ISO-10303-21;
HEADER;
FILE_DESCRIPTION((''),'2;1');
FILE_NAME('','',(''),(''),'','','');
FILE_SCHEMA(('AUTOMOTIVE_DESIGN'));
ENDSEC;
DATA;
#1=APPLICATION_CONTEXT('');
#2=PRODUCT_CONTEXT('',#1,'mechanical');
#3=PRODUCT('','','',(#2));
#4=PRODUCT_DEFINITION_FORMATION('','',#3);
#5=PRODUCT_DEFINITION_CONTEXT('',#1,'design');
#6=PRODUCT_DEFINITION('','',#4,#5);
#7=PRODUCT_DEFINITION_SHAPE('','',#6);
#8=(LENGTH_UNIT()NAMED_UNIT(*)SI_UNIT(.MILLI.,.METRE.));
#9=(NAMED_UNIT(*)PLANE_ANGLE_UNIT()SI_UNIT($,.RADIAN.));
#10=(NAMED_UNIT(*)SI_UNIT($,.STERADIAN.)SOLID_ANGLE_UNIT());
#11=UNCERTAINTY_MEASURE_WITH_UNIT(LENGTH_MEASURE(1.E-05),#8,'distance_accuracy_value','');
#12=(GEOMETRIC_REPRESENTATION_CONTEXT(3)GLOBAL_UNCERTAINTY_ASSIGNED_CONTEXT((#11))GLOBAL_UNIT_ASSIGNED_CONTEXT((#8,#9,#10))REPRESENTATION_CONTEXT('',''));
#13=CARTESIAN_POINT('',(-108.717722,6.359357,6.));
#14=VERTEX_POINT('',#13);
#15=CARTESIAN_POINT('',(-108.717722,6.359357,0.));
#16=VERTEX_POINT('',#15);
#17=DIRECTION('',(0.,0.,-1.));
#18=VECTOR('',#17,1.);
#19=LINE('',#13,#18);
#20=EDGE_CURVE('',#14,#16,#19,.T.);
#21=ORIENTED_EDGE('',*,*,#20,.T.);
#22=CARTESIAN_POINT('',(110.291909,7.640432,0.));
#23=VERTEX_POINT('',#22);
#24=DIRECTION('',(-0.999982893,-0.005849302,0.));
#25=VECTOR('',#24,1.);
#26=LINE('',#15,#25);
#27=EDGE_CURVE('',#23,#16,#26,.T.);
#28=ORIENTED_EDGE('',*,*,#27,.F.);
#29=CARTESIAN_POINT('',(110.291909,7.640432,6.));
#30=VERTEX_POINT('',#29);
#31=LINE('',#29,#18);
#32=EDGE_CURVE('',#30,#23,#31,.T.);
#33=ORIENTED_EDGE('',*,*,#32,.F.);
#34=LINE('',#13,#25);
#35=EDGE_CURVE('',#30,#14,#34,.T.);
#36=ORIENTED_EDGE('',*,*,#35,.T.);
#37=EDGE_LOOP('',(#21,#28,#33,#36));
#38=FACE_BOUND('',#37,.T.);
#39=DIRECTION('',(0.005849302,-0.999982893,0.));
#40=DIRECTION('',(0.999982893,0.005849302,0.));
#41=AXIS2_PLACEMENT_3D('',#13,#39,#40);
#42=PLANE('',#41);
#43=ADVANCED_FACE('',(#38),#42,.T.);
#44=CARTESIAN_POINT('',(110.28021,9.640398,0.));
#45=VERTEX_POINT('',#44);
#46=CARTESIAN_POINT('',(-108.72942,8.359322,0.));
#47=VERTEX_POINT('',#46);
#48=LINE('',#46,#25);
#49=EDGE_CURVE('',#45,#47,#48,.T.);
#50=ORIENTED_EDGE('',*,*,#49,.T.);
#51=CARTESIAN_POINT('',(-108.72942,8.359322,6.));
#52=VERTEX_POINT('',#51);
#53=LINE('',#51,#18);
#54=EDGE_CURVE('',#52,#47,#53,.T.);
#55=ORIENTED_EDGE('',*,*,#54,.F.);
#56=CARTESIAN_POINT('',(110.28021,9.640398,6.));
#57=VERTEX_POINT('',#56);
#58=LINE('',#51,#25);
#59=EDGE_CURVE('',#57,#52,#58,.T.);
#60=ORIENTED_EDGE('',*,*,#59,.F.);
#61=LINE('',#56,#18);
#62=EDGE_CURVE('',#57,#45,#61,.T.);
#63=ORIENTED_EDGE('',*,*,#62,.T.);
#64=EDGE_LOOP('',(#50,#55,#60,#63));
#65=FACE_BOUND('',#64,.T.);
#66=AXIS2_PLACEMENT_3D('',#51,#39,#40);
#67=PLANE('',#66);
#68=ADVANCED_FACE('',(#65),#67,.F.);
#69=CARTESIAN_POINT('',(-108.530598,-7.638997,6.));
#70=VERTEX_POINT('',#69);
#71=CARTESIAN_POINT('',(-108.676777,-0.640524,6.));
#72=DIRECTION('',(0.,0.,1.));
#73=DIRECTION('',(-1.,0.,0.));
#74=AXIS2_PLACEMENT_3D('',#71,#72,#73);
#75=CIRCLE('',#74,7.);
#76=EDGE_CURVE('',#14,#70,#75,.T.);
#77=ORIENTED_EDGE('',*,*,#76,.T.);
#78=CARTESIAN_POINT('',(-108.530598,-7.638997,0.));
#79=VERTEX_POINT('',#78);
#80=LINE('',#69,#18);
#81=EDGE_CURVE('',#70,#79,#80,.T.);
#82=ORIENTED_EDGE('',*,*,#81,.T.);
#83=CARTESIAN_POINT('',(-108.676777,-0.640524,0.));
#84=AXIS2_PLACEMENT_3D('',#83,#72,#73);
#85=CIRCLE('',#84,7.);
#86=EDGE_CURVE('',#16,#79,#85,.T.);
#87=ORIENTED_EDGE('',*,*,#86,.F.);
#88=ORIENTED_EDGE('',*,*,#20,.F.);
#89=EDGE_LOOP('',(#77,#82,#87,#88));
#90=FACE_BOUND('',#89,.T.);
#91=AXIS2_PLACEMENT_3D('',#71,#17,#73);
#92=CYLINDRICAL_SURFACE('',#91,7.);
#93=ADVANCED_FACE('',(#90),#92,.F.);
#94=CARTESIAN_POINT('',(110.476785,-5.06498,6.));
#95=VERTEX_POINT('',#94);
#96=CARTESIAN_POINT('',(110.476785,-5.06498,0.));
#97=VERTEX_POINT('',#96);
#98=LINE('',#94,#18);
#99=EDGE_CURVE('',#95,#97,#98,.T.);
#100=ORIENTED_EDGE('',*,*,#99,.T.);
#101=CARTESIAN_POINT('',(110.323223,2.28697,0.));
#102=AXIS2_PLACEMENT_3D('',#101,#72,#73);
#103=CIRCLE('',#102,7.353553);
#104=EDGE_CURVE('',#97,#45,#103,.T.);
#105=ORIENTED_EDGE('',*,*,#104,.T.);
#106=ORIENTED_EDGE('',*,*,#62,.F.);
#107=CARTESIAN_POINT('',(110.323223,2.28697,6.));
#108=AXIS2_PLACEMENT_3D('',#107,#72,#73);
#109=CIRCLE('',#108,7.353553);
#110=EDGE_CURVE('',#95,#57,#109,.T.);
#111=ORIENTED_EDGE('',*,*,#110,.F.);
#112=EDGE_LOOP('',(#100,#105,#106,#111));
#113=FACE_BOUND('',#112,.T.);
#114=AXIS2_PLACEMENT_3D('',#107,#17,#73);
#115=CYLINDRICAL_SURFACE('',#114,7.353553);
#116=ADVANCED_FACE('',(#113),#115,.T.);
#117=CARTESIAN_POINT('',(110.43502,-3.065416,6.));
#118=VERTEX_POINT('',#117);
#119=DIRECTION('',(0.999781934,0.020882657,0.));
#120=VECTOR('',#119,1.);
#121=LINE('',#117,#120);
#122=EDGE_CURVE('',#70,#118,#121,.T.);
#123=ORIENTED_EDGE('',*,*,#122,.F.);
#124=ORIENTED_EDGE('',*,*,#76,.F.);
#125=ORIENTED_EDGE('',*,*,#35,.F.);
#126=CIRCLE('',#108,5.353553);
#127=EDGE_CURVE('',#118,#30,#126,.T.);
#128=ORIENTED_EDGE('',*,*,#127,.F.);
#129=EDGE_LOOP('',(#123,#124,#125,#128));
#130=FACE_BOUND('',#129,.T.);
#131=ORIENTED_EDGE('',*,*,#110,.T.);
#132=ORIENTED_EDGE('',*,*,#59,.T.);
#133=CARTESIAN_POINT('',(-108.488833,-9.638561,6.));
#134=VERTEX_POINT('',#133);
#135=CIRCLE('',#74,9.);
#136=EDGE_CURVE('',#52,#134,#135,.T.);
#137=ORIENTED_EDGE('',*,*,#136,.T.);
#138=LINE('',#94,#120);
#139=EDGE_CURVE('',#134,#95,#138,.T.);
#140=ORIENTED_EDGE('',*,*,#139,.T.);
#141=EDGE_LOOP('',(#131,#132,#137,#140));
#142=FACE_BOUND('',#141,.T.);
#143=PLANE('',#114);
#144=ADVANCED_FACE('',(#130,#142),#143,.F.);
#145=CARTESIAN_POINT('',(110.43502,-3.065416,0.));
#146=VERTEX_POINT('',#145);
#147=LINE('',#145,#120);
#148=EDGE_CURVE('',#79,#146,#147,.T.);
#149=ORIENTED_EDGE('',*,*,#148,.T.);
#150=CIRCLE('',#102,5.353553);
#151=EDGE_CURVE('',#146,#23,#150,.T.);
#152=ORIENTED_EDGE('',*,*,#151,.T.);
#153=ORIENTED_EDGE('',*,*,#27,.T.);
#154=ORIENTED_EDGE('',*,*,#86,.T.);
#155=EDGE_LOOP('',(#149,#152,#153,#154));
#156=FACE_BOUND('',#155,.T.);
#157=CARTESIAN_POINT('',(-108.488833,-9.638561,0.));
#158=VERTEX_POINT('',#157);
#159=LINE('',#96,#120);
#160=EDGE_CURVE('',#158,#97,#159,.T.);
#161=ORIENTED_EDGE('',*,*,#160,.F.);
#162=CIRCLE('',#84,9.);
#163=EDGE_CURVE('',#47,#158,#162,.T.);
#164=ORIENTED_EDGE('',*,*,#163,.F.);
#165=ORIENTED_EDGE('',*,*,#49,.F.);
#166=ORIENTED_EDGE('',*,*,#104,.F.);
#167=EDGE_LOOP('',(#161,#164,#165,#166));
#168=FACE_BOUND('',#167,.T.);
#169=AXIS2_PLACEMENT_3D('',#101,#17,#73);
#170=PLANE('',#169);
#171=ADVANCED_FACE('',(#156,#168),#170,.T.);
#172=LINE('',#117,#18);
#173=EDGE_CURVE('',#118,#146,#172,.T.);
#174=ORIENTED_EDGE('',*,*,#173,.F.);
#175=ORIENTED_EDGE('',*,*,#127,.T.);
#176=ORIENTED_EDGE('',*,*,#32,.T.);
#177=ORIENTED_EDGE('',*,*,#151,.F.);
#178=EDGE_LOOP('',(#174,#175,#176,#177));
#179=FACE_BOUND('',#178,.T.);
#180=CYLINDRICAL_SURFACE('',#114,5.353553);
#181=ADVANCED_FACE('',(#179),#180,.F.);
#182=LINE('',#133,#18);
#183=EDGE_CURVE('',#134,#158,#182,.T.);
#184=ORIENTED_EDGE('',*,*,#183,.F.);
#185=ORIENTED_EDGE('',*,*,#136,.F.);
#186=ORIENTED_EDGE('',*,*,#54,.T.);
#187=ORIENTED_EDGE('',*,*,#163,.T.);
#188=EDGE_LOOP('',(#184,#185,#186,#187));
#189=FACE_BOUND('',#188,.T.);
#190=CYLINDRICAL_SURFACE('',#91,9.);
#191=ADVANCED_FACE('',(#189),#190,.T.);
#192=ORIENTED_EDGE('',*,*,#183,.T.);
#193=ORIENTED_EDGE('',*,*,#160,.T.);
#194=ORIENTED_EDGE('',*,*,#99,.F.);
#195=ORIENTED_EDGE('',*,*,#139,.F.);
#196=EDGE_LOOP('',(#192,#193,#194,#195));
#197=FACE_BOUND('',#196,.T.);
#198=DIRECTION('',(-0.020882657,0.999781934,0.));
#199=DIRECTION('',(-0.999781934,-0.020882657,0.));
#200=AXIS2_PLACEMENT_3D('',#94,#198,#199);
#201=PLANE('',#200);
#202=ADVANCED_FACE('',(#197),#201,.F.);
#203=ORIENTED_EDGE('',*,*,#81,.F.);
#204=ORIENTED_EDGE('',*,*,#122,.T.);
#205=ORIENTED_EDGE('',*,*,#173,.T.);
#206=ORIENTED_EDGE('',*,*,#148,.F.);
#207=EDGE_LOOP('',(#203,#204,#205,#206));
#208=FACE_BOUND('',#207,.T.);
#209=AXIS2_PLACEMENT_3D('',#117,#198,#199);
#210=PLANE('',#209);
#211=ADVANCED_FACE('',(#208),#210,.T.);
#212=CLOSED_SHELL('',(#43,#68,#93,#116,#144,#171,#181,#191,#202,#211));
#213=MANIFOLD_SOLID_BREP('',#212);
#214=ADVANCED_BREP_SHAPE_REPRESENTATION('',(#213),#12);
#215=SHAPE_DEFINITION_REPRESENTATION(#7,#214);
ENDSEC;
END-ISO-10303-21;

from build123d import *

# Parameters (mm, degrees)
BOSS_EXTRUDE1_DEPTH = 6


with BuildPart() as part:
    # Sketch1 → Boss-Extrude1 (new body)
    with BuildSketch(Plane.XY):
        with BuildLine():
            Line((110.47678504, -5.064979657), (-108.488832779, -9.638560963))
            ThreePointArc((-108.488832779, -9.638560963), (-117.675972692, -0.760820775), (-108.729420409, 8.359322473))
            Line((-108.729420409, 8.359322473), (110.280210153, 9.640397762))
            ThreePointArc((110.280210153, 9.640397762), (117.676119775, 2.385260391), (110.47678504, -5.064979657))
        make_face()
        with BuildLine():
            Line((-108.717721806, 6.359356688), (110.291908757, 7.640431976))
            ThreePointArc((110.291908757, 7.640431976), (115.676298442, 2.358527677), (110.435019726, -3.06541579))
            Line((110.435019726, -3.06541579), (-108.530598094, -7.638997096))
            ThreePointArc((-108.530598094, -7.638997096), (-115.676151359, -0.734088061), (-108.717721806, 6.359356688))
        make_face(mode=Mode.SUBTRACT)
    extrude(amount=BOSS_EXTRUDE1_DEPTH)


solid = part.part
